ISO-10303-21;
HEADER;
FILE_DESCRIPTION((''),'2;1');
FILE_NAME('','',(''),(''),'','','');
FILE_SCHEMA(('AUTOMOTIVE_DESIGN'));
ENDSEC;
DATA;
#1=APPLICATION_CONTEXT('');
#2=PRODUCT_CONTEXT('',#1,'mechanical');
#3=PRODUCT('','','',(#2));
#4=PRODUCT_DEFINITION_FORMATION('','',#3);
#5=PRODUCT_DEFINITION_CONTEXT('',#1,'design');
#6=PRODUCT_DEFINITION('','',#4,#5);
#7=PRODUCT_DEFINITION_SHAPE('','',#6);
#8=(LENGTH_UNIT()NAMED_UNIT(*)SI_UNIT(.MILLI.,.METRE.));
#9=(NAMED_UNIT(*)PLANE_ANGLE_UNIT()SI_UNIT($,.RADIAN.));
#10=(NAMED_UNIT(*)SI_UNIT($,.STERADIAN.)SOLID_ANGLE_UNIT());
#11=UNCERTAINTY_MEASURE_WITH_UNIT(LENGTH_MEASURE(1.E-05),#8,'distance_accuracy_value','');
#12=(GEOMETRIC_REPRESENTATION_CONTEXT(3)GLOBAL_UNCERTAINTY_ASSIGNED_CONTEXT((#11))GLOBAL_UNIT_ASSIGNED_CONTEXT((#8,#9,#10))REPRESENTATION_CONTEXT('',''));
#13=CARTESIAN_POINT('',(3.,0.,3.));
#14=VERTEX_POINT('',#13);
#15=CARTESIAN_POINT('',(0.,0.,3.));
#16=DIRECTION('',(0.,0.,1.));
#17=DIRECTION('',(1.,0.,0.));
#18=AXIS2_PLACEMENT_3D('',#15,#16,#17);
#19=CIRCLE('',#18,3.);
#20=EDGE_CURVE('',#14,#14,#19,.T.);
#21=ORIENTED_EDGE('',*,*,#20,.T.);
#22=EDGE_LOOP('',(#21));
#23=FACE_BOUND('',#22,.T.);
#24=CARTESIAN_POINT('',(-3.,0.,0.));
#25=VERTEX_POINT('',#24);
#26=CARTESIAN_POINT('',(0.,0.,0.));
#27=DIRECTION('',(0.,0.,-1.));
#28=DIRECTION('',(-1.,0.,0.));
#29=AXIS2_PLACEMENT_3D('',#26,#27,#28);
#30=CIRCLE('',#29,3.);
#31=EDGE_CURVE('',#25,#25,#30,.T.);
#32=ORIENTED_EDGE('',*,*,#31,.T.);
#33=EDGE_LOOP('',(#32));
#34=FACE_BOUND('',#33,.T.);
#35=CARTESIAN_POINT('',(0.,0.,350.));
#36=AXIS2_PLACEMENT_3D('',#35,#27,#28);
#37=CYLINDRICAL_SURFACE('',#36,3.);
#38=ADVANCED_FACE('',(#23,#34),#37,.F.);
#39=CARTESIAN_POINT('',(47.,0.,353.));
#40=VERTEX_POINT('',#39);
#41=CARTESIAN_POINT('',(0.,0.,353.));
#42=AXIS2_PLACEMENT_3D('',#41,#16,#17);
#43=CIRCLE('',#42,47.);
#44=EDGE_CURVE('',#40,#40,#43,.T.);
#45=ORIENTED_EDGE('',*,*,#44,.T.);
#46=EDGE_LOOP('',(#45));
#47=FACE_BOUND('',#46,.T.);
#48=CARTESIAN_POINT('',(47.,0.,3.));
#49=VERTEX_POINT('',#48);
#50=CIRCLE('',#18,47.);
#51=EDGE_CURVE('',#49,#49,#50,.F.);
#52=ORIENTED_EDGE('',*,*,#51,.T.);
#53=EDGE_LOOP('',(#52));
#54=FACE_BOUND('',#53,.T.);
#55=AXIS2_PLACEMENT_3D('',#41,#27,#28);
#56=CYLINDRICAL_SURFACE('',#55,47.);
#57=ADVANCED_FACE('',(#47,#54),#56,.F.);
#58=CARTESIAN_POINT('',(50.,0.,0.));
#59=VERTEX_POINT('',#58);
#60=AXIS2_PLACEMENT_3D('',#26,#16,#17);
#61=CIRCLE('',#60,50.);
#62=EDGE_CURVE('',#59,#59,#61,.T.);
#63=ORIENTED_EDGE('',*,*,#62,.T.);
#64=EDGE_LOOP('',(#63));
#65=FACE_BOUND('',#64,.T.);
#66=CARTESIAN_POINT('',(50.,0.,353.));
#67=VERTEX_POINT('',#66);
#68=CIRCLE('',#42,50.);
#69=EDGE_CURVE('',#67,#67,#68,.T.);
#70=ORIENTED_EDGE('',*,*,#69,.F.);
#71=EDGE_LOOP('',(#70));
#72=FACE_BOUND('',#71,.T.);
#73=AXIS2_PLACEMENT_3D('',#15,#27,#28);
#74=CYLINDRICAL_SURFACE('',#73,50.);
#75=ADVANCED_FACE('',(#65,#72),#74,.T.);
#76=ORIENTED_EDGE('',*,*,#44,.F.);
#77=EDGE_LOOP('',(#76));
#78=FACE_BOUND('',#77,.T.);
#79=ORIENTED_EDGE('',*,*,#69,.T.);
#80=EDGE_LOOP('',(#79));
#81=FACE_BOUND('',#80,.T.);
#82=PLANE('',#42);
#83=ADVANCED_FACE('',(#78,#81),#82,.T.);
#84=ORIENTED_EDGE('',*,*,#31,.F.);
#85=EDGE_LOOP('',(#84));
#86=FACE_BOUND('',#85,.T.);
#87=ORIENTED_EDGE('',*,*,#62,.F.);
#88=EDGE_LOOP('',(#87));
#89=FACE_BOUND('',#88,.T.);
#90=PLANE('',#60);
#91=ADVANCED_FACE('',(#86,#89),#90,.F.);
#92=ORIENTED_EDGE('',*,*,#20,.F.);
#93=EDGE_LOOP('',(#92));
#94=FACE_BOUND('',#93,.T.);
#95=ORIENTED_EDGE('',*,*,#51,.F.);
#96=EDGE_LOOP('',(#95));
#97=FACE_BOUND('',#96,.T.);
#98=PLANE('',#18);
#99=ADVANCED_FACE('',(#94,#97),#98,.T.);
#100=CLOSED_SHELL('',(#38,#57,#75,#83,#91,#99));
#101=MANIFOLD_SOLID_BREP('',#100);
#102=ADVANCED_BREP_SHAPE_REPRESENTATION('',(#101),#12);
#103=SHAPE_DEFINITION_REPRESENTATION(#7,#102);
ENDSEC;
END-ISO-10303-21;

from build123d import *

# Parameters (mm, degrees)
SKETCH_1_R          = 50
EXTRUDE_1_DEPTH     = 3
SKETCH_2_R          = 50
SKETCH_2_R_2        = 47
EXTRUDE_2_DEPTH     = 350
SKETCH_3_R          = 3
CUT_EXTRUDE_1_DEPTH = 350


with BuildPart() as part:
    # Эскиз1 → Бобышка-Вытянуть1 (new body)
    with BuildSketch(Plane.XY):
        Circle(SKETCH_1_R)
    extrude(amount=EXTRUDE_1_DEPTH)

    # Эскиз2 → Бобышка-Вытянуть2 (add)
    with BuildSketch(Plane.XY.offset(3)):
        Circle(SKETCH_2_R)
        Circle(SKETCH_2_R_2, mode=Mode.SUBTRACT)
    extrude(amount=EXTRUDE_2_DEPTH)

    # Эскиз3 → Вырез-Вытянуть1 (cut)
    with BuildSketch(Plane(origin=(0, 0, 0), x_dir=(-1, 0, 0), z_dir=(0, 0, -1))):
        Circle(SKETCH_3_R)
    extrude(amount=-CUT_EXTRUDE_1_DEPTH, mode=Mode.SUBTRACT)


solid = part.part
